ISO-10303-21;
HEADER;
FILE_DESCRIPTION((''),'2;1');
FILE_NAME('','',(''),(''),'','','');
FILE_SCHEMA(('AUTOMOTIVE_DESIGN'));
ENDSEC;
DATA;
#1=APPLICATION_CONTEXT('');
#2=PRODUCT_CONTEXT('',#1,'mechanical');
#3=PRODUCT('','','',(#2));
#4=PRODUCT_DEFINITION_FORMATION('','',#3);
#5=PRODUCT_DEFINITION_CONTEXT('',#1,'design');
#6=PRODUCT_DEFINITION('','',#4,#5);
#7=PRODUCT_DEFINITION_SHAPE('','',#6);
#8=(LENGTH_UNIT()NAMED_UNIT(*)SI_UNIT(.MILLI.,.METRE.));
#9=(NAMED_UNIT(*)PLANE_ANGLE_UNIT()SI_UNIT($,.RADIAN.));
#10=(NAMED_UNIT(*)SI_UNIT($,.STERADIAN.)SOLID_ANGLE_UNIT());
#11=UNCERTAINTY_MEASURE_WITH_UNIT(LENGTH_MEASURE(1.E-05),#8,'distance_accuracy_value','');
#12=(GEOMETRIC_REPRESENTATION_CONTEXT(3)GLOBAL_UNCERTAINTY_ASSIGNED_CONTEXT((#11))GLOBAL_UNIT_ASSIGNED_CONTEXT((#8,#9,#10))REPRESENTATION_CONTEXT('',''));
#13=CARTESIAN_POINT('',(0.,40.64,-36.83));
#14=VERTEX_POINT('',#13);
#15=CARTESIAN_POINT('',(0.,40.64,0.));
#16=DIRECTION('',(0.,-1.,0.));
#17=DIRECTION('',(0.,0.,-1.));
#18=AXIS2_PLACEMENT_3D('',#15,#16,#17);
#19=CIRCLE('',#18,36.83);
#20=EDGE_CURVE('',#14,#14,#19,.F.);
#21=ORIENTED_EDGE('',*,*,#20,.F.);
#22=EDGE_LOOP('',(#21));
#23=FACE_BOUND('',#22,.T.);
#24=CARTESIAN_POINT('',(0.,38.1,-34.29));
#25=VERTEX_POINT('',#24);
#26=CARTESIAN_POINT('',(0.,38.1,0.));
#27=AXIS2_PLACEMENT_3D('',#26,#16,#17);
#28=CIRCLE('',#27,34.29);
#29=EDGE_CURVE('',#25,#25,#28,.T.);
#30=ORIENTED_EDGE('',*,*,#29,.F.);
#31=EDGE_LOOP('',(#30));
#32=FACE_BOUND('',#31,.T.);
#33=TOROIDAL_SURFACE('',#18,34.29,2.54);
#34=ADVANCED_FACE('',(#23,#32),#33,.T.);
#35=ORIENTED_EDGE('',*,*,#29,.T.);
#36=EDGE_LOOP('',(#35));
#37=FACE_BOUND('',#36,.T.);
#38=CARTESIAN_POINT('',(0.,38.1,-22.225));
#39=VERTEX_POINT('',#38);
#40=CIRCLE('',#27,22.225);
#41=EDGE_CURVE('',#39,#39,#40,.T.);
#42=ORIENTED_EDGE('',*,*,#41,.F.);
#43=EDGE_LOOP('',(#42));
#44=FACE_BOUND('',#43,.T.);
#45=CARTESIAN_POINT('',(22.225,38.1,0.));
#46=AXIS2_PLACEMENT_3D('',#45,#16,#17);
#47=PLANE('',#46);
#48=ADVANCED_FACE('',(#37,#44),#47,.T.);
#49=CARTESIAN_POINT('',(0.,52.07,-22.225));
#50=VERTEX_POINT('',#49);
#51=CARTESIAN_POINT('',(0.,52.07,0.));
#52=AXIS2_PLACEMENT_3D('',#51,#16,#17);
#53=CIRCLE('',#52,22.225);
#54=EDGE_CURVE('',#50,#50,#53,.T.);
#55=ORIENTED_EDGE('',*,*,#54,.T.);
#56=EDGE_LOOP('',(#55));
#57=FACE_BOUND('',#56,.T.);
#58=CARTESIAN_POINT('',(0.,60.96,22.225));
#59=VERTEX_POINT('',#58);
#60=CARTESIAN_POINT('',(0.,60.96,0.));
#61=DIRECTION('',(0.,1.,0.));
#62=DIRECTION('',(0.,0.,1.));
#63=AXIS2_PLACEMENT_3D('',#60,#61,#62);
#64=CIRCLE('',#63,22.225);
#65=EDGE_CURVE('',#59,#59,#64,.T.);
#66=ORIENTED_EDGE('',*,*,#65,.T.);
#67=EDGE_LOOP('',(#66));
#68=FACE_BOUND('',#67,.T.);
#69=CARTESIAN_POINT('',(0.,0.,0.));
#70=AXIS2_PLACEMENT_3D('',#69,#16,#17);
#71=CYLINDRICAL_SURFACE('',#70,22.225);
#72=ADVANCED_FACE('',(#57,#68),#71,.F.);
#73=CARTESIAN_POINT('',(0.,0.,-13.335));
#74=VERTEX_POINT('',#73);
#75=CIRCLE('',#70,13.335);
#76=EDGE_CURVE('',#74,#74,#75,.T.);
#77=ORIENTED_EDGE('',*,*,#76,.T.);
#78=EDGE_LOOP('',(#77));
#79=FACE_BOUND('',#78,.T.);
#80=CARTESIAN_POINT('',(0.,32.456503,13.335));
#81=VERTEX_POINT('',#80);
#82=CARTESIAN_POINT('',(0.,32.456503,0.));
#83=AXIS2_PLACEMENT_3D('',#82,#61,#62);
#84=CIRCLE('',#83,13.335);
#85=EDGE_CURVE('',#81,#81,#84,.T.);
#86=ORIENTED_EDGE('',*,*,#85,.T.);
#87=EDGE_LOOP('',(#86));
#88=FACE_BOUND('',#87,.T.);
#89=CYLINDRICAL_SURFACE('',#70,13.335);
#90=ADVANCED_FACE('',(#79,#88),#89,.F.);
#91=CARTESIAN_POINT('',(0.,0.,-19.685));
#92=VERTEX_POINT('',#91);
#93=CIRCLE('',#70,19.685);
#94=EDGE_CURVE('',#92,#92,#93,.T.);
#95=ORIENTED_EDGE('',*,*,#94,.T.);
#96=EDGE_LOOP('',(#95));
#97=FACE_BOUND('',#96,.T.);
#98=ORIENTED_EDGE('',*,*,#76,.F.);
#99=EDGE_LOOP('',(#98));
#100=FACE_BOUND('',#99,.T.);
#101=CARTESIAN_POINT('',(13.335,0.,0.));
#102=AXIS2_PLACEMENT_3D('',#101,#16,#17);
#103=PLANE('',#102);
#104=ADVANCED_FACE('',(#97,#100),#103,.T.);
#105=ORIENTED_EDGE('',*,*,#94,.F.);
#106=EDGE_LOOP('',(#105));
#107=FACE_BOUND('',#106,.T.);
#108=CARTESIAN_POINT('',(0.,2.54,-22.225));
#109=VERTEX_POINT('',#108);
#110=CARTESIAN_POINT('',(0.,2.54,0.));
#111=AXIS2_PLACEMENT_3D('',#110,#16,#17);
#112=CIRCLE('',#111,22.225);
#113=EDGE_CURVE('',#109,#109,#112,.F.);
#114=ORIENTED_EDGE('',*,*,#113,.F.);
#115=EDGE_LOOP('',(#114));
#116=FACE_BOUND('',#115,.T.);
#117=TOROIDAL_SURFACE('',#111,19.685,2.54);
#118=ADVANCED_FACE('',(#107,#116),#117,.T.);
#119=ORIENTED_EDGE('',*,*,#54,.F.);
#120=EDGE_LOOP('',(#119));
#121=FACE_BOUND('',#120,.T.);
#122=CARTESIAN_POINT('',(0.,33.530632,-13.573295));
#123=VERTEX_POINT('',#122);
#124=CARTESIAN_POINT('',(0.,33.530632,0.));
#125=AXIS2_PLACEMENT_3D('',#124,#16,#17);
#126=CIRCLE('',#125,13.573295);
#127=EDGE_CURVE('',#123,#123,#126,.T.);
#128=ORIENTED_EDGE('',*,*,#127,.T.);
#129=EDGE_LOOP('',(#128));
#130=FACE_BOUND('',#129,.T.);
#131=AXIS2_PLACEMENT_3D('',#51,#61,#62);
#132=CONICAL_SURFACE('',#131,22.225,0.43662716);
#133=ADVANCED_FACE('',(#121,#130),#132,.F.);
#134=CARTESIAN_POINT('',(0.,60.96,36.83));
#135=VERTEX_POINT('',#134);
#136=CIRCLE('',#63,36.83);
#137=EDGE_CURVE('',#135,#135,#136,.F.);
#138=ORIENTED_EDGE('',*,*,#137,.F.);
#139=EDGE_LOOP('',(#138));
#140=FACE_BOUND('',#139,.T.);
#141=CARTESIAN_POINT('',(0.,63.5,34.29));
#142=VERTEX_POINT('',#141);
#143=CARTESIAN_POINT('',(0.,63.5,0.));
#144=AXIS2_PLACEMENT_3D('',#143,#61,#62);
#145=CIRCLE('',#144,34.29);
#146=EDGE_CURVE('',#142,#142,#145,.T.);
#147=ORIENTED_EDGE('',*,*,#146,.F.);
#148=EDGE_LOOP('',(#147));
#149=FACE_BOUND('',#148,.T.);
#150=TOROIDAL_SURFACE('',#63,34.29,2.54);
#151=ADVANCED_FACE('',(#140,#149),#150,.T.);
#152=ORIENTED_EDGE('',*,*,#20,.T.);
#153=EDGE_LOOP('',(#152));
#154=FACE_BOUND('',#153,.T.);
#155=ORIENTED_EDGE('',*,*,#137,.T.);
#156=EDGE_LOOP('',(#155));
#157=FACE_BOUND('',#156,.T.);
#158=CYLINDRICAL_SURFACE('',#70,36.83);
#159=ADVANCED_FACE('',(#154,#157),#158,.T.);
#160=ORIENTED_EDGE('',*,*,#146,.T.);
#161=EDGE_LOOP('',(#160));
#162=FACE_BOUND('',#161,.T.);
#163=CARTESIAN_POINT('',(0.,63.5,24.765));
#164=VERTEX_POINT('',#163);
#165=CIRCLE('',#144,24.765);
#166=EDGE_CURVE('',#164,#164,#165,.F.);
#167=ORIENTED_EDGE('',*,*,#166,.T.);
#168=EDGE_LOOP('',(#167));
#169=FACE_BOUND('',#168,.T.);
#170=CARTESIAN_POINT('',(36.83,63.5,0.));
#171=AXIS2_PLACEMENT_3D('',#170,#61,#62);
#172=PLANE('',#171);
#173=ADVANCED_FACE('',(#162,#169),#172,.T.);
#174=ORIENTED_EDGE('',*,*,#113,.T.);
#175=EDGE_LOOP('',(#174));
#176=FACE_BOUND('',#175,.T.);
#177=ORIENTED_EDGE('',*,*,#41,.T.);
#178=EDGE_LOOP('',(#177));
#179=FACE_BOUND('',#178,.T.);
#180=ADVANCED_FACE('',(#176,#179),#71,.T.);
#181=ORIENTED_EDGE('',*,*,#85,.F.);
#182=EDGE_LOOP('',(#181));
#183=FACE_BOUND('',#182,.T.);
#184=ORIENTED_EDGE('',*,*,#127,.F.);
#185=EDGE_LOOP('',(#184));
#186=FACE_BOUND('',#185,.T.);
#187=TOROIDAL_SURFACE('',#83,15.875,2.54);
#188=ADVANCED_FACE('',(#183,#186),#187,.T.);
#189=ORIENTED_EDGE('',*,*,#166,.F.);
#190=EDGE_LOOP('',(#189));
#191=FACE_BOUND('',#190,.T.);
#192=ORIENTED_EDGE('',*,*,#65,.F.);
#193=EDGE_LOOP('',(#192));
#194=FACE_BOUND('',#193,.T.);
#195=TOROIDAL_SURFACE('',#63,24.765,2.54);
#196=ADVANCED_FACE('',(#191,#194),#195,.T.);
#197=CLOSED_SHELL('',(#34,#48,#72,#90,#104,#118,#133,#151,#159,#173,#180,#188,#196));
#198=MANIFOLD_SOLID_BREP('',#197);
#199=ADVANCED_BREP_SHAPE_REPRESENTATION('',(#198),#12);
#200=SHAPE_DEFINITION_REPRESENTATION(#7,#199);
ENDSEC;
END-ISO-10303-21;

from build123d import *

# Parameters (mm, degrees)
FILLET1_R = 2.54


with BuildPart() as part:
    # Sketch1 → Revolve2 (revolve)
    with BuildSketch(Plane.XY, mode=Mode.PRIVATE) as revolve2_sk:
        Polygon((13.335, 0), (13.335, 33.02), (22.225, 52.07), (22.225, 63.5), (36.83, 63.5), (36.83, 38.1), (22.225, 38.1), (22.225, 0), align=None)
    revolve(revolve2_sk.sketch.rotate(Axis((0, 0, 0), (0, 1, 0)), 90), axis=Axis((0, 0, 0), (0, 1, 0)))

    # Fillet1
    fillet1_edges = [part.edges().sort_by_distance(p)[0] for p in [
        (0, 0, 22.225),
        (0, 33.02, 13.335),
        (0, 63.5, 22.225),
        (0, 63.5, 36.83),
        (0, 38.1, 36.83),
    ]]
    fillet(fillet1_edges, radius=FILLET1_R)


solid = part.part
